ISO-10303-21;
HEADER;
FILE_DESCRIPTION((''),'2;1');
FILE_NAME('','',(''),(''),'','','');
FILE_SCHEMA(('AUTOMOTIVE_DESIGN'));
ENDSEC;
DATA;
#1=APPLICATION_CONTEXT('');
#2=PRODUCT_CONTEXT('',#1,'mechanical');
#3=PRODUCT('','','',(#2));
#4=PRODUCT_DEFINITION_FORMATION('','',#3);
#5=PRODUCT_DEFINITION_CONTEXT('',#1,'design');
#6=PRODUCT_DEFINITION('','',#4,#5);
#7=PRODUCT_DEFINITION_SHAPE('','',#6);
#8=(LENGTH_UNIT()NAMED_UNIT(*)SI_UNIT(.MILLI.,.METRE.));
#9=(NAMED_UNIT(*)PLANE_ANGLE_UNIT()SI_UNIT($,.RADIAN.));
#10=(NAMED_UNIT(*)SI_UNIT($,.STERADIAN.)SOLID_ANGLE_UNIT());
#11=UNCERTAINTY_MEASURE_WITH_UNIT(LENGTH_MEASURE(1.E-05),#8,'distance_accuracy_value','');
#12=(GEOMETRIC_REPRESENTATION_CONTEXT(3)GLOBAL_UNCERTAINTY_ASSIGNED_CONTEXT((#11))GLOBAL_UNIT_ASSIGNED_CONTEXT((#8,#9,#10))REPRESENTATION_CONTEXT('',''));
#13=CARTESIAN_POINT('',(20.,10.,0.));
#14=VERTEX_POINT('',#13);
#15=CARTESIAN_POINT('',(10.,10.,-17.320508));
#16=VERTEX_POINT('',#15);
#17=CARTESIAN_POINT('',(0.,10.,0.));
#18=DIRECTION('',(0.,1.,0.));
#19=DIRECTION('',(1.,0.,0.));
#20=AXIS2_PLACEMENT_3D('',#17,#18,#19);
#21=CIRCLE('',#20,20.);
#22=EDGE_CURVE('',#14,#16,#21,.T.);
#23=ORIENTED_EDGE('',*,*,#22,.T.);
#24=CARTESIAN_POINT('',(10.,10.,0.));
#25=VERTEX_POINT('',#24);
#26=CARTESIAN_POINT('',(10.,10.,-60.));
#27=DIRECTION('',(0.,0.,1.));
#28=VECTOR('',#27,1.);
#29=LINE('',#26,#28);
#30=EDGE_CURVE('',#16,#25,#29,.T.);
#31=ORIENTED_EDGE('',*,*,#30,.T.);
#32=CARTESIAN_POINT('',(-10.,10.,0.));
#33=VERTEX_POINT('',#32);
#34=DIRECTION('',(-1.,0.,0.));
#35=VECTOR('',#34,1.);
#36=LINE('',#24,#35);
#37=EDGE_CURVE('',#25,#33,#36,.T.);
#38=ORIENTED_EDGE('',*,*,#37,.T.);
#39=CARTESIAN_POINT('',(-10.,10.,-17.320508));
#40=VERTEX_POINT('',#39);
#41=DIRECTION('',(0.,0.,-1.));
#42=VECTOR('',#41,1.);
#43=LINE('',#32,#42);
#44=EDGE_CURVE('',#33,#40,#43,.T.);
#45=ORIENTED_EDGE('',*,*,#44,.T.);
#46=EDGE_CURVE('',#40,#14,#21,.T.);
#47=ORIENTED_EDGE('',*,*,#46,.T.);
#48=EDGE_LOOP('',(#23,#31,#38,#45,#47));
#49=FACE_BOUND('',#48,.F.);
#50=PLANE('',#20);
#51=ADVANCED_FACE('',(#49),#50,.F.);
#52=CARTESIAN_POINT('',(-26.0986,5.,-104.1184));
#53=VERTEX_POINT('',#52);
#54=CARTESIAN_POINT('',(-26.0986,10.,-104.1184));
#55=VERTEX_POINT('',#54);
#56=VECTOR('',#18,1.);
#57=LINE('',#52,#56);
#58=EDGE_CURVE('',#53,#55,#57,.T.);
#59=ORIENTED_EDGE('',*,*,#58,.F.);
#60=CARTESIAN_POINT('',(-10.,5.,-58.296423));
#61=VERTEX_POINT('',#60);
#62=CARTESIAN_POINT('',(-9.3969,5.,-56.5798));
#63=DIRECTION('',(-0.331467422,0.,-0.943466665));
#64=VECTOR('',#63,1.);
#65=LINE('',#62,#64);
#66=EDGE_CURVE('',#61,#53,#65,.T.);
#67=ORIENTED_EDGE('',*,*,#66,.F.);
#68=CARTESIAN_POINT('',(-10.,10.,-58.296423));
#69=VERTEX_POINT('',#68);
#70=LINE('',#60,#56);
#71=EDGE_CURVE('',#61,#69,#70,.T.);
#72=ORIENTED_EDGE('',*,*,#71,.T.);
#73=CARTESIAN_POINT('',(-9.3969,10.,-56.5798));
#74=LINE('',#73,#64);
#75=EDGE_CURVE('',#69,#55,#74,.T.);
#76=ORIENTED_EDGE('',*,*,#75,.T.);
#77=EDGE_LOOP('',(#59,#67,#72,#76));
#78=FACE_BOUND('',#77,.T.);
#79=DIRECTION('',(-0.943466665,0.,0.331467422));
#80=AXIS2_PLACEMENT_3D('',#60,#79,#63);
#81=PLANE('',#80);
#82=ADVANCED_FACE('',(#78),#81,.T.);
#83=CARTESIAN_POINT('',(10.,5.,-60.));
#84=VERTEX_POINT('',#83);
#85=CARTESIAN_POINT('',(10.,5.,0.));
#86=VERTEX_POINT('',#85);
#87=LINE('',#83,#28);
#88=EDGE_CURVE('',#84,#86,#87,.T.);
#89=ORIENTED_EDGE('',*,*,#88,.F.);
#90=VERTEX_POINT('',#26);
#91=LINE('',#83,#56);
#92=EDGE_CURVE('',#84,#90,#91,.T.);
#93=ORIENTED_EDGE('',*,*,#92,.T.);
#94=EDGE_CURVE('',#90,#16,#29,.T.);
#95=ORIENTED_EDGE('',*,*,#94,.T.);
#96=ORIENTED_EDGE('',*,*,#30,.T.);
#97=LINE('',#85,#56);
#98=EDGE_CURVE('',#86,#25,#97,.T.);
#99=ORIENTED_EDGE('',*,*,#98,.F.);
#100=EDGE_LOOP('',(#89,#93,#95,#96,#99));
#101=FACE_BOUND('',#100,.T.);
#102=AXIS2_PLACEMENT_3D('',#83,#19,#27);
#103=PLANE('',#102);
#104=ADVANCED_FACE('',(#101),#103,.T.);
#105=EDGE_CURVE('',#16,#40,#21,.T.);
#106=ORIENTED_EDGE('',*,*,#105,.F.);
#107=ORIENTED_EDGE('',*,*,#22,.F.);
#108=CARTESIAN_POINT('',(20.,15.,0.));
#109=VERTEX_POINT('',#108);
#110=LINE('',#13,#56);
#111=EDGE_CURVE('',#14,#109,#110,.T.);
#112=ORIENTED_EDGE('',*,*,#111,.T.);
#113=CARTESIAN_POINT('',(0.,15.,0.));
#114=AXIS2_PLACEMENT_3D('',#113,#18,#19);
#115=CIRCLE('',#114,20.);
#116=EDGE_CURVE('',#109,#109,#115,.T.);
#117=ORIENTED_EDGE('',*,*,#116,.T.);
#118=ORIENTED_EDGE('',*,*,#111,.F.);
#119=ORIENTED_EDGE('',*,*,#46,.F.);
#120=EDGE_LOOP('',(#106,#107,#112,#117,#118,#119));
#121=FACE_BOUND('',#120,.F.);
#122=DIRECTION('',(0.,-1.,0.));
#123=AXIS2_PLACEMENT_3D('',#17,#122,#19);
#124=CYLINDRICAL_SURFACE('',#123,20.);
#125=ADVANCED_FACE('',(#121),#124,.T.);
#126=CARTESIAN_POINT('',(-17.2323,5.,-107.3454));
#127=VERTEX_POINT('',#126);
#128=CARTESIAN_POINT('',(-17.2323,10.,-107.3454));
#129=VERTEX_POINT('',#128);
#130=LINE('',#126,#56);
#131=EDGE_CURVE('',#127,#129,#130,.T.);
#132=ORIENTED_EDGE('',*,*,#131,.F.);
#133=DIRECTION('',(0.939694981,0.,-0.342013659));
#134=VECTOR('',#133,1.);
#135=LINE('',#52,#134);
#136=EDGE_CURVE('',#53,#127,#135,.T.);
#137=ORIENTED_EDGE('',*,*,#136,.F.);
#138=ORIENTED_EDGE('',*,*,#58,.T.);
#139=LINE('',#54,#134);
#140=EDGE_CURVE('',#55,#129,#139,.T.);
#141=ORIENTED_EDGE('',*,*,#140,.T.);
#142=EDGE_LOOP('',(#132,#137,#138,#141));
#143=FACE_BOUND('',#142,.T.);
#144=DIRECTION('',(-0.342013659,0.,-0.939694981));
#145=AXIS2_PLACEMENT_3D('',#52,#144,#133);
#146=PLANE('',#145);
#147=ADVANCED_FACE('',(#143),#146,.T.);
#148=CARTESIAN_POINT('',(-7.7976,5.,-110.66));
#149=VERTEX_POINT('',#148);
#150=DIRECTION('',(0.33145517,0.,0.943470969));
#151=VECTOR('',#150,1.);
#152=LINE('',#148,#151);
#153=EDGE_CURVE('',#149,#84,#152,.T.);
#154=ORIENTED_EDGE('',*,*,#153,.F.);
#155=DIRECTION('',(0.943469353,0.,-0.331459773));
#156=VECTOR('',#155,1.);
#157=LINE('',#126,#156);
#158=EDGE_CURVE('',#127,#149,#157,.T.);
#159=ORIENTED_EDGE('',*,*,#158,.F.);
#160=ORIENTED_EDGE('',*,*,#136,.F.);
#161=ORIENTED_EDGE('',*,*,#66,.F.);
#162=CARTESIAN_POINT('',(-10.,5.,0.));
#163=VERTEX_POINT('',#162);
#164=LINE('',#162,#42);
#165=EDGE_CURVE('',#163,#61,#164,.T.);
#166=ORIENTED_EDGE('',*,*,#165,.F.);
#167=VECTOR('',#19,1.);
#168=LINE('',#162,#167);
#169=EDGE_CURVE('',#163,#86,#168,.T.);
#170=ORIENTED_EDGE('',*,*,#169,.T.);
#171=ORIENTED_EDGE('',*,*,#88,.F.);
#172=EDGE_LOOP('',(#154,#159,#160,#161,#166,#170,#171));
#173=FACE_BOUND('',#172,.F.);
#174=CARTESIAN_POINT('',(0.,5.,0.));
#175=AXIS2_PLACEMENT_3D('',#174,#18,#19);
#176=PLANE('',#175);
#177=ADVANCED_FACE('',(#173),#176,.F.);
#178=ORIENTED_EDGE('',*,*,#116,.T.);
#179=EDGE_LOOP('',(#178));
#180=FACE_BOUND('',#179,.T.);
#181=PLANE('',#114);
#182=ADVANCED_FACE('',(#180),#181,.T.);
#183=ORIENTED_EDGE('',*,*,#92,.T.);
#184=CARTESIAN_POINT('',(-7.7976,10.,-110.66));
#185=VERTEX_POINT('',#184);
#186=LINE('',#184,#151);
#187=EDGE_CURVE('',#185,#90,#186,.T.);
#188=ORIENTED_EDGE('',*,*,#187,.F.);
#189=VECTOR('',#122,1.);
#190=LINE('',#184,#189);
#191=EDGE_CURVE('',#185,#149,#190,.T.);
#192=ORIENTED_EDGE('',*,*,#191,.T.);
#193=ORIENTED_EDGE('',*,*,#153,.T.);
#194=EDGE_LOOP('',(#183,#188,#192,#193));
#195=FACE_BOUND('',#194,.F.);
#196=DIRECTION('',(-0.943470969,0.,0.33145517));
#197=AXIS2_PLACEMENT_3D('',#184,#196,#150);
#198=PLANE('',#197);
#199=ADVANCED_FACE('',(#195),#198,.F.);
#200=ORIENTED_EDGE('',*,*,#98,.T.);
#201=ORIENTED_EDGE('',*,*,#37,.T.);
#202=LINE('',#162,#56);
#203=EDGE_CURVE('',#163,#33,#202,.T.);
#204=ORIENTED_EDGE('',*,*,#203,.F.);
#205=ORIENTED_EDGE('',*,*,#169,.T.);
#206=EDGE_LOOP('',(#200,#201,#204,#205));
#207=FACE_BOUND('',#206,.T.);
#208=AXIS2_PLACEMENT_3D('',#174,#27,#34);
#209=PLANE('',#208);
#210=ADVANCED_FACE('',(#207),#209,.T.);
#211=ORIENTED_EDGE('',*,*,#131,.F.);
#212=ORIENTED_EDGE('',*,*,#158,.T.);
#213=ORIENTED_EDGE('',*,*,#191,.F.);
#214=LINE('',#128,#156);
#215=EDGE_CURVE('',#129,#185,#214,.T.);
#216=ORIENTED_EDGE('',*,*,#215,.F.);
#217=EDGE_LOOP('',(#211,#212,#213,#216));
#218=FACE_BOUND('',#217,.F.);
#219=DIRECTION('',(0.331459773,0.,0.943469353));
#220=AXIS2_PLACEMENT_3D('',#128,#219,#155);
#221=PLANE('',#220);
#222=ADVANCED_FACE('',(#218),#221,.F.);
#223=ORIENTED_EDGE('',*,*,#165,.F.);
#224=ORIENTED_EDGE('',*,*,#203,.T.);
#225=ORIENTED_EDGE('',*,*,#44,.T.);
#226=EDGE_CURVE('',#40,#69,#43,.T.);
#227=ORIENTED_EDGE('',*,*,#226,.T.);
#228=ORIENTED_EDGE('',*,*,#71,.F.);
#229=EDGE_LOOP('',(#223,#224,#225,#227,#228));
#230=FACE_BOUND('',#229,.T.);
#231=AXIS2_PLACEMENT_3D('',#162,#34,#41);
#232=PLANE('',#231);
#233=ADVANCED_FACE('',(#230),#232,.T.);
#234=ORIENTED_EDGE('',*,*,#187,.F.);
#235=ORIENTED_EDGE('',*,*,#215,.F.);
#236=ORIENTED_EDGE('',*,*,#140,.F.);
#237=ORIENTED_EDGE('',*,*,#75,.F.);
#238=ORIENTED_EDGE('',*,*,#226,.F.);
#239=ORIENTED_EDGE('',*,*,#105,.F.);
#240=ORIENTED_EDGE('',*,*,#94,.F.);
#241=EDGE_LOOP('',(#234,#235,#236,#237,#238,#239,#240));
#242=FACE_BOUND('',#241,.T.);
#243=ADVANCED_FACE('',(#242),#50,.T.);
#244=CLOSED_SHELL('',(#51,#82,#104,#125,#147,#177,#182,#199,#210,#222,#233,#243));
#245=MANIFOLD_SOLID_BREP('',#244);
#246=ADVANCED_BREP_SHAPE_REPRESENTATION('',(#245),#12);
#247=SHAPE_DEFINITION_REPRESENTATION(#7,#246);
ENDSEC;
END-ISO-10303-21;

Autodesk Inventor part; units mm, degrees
ref_plane "Work Plane1" through (0, 5, 0) normal (0, 1, 0) x (1, 0, 0)
sketch "Sketch2" plane through (0, 5, 0) normal (0, 1, 0) x (1, 0, 0)
  line L0 (0, 0) -> (0, 60)
  line L1 (0, 60) -> (-17.2323, 107.3454)
  line L2 (10, 0) -> (-10, 0)
  line L3 (-10, 0) -> (-10, 60)
  line L4 (-10, 60) -> (10, 60)
  line L5 (10, 60) -> (10, 0)
  line L6 (10, 0) -> (-10, 60) construction
  line L7 (-10, 0) -> (10, 60) construction
  line L8 (-17.2323, 107.3454) -> (-7.8354, 110.7656)
  line L9 (-7.8354, 110.7656) -> (10, 60)
  line L10 (0, 60) -> (-9.3969, 56.5798)
  line L11 (-9.3969, 56.5798) -> (-26.0986, 104.1184)
  line L12 (-26.0986, 104.1184) -> (-17.2323, 107.3454)
  point P0 (0, 30)
  dimension "d3" = 60
  dimension "d4" = 160
  dimension "d5" = 20
  dimension "d6" = 60
  dimension "d9" = 10
  dimension "d10" = 10
extrude "Extrusion2" add sketch "Sketch2" along normal blind 5 contours L2 L3 L11 L10 L0 | L0 L4 L5 L2 | L4 L3 L11 L12 L1 | L10 L11 L3 L4
ref_plane "Work Plane2" through (0, 10, 0) normal (0, 1, 0) x (1, 0, 0)
sketch "Sketch3" plane through (0, 10, 0) normal (0, 1, 0) x (1, 0, 0)
  line L0 (0, 60) -> (-17.2323, 107.3454) projected
  line L1 (-17.2323, 107.3454) -> (-26.0986, 104.1184) projected
  line L2 (-17.2323, 107.3454) -> (-7.7976, 110.66)
  line L3 (10, 60) -> (0, 60) projected
  line L4 (-7.7976, 110.66) -> (10, 60)
  line L5 (0, 60) -> (-17.2323, 107.3454) projected
  line L6 (10, 60) -> (0, 60)
  line L7 (0, 60) -> (-17.2323, 107.3454)
  point P0 (0, 0)
  dimension "d13" = 10
extrude "Extrusion3" add sketch "Sketch3" against normal blind 5
ref_plane "Work Plane3" through (0, 10, 0) normal (0, 1, 0) x (1, 0, 0)
sketch "Sketch4" plane through (0, 10, 0) normal (0, 1, 0) x (1, 0, 0)
  circle A0 centre (0, 0) radius 20
extrude "Extrusion4" add sketch "Sketch4" along normal blind 5
properties part number "scale_l_arm"
